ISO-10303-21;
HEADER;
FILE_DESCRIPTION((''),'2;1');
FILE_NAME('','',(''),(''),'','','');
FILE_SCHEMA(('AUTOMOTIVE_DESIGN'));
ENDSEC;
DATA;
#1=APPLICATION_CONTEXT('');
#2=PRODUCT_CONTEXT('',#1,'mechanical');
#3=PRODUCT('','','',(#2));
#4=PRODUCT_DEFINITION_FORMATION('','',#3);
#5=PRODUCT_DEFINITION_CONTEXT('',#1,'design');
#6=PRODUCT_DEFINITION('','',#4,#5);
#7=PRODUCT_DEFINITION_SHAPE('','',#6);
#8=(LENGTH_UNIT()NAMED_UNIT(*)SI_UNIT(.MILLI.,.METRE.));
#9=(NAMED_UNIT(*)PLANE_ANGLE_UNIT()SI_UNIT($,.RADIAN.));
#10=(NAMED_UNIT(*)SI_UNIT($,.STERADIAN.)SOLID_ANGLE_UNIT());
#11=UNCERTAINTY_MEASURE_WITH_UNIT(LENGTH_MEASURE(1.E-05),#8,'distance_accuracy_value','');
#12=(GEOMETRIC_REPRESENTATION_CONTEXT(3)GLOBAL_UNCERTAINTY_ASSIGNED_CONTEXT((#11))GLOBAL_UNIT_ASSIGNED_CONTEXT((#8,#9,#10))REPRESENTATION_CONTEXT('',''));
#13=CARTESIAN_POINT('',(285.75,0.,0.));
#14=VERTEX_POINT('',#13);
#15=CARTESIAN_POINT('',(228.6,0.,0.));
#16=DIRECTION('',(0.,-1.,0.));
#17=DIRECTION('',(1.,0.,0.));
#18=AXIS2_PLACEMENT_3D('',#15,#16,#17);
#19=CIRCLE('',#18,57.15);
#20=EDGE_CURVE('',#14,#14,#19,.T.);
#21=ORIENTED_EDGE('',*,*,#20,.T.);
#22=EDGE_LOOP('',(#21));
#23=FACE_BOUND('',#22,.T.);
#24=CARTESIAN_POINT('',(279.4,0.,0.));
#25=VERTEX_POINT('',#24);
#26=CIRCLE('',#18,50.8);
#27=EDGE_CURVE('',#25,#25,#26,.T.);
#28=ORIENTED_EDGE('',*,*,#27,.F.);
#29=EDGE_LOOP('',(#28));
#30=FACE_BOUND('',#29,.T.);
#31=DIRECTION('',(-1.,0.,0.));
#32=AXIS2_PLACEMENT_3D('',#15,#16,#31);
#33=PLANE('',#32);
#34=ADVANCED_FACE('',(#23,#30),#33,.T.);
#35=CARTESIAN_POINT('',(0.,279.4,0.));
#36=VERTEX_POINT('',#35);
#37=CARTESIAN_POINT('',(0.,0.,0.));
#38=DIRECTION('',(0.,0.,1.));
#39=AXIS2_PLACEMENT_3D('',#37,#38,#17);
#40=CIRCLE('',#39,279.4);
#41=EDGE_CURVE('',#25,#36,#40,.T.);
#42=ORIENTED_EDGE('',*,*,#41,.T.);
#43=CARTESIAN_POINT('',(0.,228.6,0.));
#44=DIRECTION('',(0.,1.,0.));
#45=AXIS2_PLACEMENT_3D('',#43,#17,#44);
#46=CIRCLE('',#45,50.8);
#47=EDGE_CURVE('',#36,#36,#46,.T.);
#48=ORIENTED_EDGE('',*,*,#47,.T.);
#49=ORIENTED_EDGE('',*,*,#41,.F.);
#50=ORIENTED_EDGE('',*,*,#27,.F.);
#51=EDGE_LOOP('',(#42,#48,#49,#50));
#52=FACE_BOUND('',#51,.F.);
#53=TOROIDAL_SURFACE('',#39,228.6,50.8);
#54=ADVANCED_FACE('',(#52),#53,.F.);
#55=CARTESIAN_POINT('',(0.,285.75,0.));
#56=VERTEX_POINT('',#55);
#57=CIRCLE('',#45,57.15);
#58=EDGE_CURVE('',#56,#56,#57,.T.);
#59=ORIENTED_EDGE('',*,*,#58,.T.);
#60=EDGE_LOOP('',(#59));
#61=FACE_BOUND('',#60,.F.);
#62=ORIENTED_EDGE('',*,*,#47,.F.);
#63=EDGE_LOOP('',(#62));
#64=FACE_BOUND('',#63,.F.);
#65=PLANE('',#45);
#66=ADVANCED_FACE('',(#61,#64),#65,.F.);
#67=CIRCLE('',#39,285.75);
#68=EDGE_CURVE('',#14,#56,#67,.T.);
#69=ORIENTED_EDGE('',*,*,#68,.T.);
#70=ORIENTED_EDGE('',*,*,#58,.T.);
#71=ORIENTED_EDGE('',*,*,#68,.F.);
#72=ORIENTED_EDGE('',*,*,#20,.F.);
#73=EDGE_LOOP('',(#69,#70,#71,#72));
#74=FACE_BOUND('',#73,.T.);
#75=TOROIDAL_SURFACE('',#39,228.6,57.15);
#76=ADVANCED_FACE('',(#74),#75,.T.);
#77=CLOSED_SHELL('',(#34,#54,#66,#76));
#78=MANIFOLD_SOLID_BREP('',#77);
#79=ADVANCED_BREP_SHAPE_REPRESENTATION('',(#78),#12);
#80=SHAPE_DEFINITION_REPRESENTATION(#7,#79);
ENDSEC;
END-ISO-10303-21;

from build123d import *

# Parameters (mm, degrees)
F1_R   = 57.15
F1_R_2 = 50.8


with BuildPart() as f2:
    # F2: sweep along a path in F0
    with BuildLine(Plane.XY) as f2_path:
        ThreePointArc((228.6, 0), (161.6446101792, 161.6446101792), (0, 228.6))
    # F1 (on Right) → F2 (sweep)
    with BuildSketch(Plane.YZ):
        with Locations((228.6, 0)):
            Circle(F1_R)
        with Locations((228.6, 0)):
            Circle(F1_R_2, mode=Mode.SUBTRACT)
    sweep(path=f2_path.line)


solid = f2.part
